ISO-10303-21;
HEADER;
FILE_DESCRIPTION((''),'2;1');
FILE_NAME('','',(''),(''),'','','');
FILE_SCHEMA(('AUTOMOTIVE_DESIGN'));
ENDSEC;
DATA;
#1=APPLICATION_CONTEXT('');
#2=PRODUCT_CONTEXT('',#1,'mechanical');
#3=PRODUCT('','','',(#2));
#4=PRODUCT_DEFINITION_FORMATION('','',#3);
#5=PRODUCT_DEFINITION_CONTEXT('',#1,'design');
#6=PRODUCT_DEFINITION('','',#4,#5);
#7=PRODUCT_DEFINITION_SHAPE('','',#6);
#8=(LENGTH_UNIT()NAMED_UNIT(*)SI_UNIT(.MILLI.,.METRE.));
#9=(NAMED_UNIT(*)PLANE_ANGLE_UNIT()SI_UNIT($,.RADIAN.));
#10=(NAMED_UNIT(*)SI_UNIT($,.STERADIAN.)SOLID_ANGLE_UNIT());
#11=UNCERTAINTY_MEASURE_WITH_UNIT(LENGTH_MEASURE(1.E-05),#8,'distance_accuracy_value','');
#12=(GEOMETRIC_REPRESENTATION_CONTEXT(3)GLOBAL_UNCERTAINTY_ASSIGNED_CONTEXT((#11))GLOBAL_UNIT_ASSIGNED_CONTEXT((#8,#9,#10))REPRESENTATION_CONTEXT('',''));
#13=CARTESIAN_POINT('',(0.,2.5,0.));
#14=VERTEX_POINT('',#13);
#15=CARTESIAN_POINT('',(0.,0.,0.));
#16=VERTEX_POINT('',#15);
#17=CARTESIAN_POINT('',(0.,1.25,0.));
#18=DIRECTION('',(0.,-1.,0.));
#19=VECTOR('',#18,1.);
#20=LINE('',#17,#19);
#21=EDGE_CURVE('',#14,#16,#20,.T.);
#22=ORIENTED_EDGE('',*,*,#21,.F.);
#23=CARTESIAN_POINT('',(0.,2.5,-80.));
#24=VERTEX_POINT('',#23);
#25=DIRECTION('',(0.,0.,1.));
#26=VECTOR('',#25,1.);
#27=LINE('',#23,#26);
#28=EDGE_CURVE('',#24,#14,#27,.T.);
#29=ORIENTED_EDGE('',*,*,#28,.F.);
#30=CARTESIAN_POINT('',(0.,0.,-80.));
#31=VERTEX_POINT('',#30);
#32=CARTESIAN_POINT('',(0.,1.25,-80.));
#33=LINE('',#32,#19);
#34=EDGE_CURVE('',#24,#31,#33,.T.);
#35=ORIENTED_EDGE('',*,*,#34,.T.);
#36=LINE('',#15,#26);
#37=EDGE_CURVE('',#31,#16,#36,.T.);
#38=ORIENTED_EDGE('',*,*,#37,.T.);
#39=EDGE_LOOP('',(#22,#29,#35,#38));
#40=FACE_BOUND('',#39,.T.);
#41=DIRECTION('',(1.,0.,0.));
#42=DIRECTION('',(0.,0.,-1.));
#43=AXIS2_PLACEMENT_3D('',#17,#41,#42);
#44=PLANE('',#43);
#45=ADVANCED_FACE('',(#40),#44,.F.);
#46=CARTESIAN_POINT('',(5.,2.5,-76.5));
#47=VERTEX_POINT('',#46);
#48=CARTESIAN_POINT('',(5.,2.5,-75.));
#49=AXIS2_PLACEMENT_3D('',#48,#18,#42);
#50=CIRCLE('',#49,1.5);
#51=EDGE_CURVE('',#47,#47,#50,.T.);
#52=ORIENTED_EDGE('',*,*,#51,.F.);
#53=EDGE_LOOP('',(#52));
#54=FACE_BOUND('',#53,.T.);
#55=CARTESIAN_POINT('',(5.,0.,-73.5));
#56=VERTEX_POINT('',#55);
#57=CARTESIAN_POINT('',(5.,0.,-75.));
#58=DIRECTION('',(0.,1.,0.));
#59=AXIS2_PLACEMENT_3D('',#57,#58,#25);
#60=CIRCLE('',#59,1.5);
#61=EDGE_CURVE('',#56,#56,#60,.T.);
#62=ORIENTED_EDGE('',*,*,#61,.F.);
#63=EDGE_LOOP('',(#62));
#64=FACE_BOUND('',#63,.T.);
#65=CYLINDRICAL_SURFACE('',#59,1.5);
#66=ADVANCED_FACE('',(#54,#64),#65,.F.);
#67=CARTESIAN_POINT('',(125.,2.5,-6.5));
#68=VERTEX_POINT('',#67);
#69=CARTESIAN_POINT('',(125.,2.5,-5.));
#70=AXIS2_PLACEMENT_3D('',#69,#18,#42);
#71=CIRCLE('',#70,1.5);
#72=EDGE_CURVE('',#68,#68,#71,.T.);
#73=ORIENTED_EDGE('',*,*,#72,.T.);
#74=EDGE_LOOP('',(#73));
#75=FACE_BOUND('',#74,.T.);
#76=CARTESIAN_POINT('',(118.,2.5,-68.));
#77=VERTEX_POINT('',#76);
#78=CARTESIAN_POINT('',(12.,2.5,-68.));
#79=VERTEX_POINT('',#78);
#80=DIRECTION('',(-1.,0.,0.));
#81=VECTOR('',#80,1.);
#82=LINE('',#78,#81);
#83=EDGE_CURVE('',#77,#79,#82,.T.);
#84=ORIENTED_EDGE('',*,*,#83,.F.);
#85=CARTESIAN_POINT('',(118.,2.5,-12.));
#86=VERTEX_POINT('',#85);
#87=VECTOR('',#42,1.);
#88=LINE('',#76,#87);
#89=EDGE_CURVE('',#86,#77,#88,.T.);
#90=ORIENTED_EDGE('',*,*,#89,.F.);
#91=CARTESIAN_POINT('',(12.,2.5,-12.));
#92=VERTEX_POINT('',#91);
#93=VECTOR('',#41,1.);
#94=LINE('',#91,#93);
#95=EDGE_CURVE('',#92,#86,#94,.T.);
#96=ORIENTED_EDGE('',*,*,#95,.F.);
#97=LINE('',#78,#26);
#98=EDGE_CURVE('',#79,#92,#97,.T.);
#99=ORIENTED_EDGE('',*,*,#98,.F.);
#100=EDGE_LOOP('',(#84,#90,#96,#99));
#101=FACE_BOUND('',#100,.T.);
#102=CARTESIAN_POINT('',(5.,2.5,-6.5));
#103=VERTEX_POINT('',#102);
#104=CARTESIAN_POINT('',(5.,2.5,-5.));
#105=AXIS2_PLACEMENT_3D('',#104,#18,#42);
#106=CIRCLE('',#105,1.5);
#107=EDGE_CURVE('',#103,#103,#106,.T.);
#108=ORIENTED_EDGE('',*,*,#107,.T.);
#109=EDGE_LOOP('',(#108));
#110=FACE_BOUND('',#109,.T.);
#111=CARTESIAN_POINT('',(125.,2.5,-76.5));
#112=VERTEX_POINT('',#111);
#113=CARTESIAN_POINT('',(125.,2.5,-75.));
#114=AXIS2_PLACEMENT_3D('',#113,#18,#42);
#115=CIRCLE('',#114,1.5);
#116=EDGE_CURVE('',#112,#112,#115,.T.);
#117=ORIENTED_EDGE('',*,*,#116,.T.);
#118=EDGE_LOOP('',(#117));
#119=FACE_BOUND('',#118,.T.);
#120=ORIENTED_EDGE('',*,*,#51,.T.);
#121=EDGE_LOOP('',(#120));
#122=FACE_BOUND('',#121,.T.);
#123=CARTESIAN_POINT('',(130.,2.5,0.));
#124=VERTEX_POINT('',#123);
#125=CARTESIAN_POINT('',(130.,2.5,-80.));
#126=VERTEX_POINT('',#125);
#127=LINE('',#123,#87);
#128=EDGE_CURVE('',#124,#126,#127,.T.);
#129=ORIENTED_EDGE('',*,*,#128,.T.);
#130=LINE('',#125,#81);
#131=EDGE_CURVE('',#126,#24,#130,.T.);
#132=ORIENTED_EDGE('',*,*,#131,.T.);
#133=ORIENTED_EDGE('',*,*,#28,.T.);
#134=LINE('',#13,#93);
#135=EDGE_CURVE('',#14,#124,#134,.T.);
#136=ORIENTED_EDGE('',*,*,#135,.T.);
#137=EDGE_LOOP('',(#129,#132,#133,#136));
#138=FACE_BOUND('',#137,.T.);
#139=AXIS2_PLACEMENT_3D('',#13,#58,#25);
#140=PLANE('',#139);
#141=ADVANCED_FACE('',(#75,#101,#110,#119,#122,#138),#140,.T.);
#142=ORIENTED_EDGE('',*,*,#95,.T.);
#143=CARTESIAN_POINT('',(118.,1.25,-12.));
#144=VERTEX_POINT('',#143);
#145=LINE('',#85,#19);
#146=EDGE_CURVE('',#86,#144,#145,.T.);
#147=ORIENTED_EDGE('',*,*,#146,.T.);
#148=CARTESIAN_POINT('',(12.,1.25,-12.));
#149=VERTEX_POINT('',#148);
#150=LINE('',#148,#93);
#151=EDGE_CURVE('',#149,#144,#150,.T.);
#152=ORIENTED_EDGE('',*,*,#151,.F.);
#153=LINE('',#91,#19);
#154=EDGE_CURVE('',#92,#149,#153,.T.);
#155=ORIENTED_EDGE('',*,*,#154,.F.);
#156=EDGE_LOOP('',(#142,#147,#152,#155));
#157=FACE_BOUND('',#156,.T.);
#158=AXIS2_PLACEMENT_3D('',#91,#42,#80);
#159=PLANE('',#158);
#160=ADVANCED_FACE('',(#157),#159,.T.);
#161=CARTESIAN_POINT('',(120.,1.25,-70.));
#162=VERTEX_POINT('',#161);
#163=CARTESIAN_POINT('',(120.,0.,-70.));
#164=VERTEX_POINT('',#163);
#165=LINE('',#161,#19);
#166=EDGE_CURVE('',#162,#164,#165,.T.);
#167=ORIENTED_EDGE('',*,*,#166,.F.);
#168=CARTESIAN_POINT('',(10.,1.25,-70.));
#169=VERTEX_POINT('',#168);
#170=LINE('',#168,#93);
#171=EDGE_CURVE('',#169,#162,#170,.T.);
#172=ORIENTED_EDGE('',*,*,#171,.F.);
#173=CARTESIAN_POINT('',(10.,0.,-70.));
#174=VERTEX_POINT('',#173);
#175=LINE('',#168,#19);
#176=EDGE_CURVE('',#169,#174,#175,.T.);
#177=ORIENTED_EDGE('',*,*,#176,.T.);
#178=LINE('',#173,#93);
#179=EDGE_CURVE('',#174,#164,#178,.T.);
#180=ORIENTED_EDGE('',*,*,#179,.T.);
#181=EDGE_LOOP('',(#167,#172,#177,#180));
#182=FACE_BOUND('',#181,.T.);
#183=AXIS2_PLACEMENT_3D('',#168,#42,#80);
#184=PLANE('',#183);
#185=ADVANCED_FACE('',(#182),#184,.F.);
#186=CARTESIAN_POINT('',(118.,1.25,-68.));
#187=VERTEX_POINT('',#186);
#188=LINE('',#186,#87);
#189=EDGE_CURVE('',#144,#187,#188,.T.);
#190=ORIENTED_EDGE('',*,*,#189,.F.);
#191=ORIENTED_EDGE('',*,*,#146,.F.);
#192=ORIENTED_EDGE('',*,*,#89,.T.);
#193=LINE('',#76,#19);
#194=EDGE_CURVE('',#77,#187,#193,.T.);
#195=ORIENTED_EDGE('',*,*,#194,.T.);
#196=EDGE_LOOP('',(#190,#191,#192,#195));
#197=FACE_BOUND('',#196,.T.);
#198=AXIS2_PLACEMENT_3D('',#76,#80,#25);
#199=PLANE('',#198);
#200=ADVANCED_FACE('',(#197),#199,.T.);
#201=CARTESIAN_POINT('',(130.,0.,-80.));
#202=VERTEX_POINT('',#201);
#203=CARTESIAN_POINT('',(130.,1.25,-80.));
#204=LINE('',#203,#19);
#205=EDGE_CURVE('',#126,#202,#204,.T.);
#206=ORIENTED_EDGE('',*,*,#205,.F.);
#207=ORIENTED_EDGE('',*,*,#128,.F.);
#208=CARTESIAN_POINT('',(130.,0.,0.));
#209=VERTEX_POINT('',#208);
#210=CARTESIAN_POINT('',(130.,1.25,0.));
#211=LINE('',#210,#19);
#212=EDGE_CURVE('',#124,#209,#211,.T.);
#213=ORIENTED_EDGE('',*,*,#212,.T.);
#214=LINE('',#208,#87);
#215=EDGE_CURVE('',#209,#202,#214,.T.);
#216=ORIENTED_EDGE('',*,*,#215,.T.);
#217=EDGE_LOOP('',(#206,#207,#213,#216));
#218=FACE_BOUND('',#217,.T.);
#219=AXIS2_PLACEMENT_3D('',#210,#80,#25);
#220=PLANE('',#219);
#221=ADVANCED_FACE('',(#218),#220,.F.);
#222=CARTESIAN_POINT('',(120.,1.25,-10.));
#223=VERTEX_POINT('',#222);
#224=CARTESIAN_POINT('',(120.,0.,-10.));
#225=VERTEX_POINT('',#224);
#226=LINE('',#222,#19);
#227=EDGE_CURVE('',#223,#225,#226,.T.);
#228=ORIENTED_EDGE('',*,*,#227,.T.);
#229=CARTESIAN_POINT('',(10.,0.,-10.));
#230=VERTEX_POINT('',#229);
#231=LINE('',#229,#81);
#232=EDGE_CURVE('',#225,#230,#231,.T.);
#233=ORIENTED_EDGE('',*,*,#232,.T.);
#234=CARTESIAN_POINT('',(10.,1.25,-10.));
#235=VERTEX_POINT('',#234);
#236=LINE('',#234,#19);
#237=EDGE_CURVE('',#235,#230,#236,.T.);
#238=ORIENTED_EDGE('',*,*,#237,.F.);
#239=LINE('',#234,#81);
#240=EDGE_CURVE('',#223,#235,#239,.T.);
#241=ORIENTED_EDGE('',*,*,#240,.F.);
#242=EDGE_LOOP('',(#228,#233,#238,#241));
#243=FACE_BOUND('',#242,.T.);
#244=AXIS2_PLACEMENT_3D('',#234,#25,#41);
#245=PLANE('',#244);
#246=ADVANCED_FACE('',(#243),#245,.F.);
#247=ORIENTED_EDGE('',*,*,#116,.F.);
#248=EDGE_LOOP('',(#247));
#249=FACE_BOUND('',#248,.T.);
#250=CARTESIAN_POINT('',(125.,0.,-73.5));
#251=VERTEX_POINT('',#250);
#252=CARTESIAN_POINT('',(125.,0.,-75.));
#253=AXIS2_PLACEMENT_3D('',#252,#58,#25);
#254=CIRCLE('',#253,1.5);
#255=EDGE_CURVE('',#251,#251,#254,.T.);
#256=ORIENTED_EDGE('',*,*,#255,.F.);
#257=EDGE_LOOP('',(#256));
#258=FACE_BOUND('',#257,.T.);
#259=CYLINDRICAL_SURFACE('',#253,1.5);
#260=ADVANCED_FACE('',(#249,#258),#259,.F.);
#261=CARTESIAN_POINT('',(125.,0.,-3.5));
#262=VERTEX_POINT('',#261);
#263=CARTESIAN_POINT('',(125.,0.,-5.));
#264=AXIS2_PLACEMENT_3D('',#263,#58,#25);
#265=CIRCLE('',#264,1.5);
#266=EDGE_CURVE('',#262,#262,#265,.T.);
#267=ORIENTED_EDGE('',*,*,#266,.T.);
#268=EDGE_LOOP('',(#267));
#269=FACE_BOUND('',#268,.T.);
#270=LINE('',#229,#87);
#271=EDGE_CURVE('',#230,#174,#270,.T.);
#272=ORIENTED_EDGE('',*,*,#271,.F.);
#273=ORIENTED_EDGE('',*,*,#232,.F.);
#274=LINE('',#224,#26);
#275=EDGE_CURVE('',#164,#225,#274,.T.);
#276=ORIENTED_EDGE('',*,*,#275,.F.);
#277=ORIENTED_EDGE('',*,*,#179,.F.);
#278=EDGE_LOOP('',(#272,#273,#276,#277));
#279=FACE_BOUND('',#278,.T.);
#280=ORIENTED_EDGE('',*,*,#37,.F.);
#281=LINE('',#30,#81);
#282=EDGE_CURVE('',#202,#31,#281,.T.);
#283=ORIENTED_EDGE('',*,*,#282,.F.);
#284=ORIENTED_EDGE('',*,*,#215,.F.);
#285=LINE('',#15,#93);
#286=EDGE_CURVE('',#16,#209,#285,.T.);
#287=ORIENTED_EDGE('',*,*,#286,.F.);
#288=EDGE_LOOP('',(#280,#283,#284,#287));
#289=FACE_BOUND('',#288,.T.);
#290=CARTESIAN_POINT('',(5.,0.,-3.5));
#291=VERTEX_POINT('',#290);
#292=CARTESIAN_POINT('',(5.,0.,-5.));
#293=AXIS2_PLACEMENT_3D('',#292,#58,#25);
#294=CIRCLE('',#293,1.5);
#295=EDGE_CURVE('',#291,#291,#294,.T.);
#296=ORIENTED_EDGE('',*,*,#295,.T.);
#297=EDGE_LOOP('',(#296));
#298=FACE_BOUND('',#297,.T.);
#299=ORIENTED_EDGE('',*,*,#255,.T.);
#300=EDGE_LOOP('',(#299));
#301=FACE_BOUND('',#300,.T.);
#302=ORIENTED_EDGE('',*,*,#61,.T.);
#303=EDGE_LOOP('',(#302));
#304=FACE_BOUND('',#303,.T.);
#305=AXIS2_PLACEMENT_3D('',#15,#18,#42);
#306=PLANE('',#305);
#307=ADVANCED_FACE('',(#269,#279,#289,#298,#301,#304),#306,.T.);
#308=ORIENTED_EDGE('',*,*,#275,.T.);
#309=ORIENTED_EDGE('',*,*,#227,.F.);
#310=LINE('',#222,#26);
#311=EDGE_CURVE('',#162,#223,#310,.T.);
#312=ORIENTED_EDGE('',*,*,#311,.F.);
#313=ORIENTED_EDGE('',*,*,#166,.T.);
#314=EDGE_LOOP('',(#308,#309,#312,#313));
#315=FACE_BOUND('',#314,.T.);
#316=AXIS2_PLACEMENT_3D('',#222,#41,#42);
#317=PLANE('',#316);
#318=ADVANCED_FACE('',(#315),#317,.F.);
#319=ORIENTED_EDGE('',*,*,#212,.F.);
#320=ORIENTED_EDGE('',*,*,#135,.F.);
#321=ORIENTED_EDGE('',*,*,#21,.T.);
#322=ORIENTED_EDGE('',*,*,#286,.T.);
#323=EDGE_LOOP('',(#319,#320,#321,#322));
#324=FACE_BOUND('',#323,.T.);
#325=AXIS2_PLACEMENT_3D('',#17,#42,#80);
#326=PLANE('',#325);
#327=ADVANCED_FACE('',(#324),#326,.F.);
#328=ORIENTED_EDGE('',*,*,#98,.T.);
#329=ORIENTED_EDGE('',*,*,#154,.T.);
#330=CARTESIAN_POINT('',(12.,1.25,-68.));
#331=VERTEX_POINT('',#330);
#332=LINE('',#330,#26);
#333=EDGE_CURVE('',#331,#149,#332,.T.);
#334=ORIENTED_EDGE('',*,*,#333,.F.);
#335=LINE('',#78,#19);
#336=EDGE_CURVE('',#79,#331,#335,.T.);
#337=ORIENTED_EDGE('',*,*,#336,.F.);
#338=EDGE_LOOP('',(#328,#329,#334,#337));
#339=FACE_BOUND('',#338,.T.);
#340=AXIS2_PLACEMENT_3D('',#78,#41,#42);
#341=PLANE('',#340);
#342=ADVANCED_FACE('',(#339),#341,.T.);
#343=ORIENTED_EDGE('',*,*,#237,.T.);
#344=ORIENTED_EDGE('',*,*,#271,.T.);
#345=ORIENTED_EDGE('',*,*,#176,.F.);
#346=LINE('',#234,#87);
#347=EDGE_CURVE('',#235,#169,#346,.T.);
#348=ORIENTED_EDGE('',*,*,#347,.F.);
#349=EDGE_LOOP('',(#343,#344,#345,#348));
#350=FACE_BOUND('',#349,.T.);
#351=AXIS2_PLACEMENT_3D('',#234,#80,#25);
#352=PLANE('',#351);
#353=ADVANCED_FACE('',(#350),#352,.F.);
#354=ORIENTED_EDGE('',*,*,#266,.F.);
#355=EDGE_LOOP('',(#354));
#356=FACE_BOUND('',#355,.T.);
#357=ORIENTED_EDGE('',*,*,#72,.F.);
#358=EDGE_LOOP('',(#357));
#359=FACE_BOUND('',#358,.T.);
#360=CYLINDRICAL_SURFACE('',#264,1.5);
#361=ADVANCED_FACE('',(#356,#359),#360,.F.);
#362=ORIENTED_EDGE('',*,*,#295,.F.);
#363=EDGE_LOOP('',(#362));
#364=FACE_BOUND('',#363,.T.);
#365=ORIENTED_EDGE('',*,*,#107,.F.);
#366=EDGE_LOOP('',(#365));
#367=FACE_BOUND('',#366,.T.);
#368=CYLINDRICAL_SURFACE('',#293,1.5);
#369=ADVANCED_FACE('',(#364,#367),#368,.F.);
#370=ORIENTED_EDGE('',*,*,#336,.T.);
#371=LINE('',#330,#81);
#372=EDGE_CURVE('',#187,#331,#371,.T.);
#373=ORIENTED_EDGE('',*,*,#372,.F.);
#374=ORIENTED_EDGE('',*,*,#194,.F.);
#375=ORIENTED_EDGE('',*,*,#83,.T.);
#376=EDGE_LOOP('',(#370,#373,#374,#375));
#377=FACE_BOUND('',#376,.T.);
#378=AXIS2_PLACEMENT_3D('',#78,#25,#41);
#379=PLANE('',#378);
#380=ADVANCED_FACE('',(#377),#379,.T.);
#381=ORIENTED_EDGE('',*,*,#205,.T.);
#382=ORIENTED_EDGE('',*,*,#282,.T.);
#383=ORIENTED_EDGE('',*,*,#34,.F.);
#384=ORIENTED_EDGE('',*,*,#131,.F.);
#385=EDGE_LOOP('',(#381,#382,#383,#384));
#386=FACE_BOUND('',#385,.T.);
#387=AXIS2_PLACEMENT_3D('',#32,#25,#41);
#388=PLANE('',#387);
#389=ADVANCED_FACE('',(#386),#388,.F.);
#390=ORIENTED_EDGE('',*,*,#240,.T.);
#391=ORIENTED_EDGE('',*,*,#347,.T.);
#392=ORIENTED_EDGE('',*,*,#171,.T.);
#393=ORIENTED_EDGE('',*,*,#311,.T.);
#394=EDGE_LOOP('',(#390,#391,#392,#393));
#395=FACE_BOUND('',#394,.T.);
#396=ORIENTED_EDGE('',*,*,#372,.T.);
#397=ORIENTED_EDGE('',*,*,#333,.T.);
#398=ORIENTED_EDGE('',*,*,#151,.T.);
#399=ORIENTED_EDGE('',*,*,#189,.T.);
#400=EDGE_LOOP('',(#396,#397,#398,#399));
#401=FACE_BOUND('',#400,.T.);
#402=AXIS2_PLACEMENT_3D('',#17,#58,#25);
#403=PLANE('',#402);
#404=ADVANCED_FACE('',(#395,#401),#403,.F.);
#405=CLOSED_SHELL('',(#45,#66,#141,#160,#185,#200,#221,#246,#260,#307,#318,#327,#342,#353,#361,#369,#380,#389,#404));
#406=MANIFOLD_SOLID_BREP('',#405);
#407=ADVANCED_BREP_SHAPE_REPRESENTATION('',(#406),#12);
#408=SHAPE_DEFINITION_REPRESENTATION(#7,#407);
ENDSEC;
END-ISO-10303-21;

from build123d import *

# Parameters (mm, degrees)
SKETCH1_W           = 130
SKETCH1_H           = 80
BOSS_EXTRUDE1_DEPTH = 1.25
SKETCH2_W           = 110
SKETCH2_H           = 60
CUT_EXTRUDE1_DEPTH  = 153.648493278
SKETCH3_R           = 1.5
CUT_EXTRUDE2_DEPTH  = 153.648493278
SKETCH6_W           = 130
SKETCH6_H           = 80
SKETCH6_W_2         = 106
SKETCH6_H_2         = 56
BOSS_EXTRUDE2_DEPTH = 1.25
SKETCH7_R           = 1.5
CUT_EXTRUDE4_DEPTH  = 153.648493278


with BuildPart() as part:
    # Sketch1 → Boss-Extrude1 (new body)
    with BuildSketch(Plane(origin=(0, 0, 0), x_dir=(1, 0, 0), z_dir=(0, 1, 0))):
        with Locations((65, 40)):
            Rectangle(SKETCH1_W, SKETCH1_H)
    extrude(amount=BOSS_EXTRUDE1_DEPTH)

    # Sketch2 → Cut-Extrude1 (cut, through all)
    with BuildSketch(Plane.XZ):
        with Locations((65, -40)):
            Rectangle(SKETCH2_W, SKETCH2_H)
    extrude(amount=-CUT_EXTRUDE1_DEPTH, mode=Mode.SUBTRACT)

    # Sketch3 → Cut-Extrude2 (cut, through all)
    with BuildSketch(Plane(origin=(0, 1.25, 0), x_dir=(1, 0, 0), z_dir=(0, 1, 0))):
        with Locations(Location((5, 75, 0), (0, 0, 270))):
            Circle(SKETCH3_R)
        with Locations(Location((125, 75, 0), (0, 0, 270))):
            Circle(SKETCH3_R)
        with Locations(Location((125, 5, 0), (0, 0, 270))):
            Circle(SKETCH3_R)
        with Locations(Location((5, 5, 0), (0, 0, 270))):
            Circle(SKETCH3_R)
    extrude(amount=-CUT_EXTRUDE2_DEPTH, mode=Mode.SUBTRACT)

    # Sketch6 → Boss-Extrude2 (add)
    with BuildSketch(Plane(origin=(0, 1.25, 0), x_dir=(1, 0, 0), z_dir=(0, 1, 0))):
        with Locations((65, 40)):
            Rectangle(SKETCH6_W, SKETCH6_H)
        with Locations((65, 40)):
            Rectangle(SKETCH6_W_2, SKETCH6_H_2, mode=Mode.SUBTRACT)
    extrude(amount=BOSS_EXTRUDE2_DEPTH)

    # Sketch7 → Cut-Extrude4 (cut, through all)
    with BuildSketch(Plane.XZ.offset(-1.25)):
        with Locations(Location((5, -75, 0), (0, 0, 90))):
            Circle(SKETCH7_R)
        with Locations(Location((5, -5, 0), (0, 0, 90))):
            Circle(SKETCH7_R)
        with Locations(Location((125, -5, 0), (0, 0, 90))):
            Circle(SKETCH7_R)
        with Locations(Location((125, -75, 0), (0, 0, 90))):
            Circle(SKETCH7_R)
    extrude(amount=-CUT_EXTRUDE4_DEPTH, mode=Mode.SUBTRACT)


solid = part.part
